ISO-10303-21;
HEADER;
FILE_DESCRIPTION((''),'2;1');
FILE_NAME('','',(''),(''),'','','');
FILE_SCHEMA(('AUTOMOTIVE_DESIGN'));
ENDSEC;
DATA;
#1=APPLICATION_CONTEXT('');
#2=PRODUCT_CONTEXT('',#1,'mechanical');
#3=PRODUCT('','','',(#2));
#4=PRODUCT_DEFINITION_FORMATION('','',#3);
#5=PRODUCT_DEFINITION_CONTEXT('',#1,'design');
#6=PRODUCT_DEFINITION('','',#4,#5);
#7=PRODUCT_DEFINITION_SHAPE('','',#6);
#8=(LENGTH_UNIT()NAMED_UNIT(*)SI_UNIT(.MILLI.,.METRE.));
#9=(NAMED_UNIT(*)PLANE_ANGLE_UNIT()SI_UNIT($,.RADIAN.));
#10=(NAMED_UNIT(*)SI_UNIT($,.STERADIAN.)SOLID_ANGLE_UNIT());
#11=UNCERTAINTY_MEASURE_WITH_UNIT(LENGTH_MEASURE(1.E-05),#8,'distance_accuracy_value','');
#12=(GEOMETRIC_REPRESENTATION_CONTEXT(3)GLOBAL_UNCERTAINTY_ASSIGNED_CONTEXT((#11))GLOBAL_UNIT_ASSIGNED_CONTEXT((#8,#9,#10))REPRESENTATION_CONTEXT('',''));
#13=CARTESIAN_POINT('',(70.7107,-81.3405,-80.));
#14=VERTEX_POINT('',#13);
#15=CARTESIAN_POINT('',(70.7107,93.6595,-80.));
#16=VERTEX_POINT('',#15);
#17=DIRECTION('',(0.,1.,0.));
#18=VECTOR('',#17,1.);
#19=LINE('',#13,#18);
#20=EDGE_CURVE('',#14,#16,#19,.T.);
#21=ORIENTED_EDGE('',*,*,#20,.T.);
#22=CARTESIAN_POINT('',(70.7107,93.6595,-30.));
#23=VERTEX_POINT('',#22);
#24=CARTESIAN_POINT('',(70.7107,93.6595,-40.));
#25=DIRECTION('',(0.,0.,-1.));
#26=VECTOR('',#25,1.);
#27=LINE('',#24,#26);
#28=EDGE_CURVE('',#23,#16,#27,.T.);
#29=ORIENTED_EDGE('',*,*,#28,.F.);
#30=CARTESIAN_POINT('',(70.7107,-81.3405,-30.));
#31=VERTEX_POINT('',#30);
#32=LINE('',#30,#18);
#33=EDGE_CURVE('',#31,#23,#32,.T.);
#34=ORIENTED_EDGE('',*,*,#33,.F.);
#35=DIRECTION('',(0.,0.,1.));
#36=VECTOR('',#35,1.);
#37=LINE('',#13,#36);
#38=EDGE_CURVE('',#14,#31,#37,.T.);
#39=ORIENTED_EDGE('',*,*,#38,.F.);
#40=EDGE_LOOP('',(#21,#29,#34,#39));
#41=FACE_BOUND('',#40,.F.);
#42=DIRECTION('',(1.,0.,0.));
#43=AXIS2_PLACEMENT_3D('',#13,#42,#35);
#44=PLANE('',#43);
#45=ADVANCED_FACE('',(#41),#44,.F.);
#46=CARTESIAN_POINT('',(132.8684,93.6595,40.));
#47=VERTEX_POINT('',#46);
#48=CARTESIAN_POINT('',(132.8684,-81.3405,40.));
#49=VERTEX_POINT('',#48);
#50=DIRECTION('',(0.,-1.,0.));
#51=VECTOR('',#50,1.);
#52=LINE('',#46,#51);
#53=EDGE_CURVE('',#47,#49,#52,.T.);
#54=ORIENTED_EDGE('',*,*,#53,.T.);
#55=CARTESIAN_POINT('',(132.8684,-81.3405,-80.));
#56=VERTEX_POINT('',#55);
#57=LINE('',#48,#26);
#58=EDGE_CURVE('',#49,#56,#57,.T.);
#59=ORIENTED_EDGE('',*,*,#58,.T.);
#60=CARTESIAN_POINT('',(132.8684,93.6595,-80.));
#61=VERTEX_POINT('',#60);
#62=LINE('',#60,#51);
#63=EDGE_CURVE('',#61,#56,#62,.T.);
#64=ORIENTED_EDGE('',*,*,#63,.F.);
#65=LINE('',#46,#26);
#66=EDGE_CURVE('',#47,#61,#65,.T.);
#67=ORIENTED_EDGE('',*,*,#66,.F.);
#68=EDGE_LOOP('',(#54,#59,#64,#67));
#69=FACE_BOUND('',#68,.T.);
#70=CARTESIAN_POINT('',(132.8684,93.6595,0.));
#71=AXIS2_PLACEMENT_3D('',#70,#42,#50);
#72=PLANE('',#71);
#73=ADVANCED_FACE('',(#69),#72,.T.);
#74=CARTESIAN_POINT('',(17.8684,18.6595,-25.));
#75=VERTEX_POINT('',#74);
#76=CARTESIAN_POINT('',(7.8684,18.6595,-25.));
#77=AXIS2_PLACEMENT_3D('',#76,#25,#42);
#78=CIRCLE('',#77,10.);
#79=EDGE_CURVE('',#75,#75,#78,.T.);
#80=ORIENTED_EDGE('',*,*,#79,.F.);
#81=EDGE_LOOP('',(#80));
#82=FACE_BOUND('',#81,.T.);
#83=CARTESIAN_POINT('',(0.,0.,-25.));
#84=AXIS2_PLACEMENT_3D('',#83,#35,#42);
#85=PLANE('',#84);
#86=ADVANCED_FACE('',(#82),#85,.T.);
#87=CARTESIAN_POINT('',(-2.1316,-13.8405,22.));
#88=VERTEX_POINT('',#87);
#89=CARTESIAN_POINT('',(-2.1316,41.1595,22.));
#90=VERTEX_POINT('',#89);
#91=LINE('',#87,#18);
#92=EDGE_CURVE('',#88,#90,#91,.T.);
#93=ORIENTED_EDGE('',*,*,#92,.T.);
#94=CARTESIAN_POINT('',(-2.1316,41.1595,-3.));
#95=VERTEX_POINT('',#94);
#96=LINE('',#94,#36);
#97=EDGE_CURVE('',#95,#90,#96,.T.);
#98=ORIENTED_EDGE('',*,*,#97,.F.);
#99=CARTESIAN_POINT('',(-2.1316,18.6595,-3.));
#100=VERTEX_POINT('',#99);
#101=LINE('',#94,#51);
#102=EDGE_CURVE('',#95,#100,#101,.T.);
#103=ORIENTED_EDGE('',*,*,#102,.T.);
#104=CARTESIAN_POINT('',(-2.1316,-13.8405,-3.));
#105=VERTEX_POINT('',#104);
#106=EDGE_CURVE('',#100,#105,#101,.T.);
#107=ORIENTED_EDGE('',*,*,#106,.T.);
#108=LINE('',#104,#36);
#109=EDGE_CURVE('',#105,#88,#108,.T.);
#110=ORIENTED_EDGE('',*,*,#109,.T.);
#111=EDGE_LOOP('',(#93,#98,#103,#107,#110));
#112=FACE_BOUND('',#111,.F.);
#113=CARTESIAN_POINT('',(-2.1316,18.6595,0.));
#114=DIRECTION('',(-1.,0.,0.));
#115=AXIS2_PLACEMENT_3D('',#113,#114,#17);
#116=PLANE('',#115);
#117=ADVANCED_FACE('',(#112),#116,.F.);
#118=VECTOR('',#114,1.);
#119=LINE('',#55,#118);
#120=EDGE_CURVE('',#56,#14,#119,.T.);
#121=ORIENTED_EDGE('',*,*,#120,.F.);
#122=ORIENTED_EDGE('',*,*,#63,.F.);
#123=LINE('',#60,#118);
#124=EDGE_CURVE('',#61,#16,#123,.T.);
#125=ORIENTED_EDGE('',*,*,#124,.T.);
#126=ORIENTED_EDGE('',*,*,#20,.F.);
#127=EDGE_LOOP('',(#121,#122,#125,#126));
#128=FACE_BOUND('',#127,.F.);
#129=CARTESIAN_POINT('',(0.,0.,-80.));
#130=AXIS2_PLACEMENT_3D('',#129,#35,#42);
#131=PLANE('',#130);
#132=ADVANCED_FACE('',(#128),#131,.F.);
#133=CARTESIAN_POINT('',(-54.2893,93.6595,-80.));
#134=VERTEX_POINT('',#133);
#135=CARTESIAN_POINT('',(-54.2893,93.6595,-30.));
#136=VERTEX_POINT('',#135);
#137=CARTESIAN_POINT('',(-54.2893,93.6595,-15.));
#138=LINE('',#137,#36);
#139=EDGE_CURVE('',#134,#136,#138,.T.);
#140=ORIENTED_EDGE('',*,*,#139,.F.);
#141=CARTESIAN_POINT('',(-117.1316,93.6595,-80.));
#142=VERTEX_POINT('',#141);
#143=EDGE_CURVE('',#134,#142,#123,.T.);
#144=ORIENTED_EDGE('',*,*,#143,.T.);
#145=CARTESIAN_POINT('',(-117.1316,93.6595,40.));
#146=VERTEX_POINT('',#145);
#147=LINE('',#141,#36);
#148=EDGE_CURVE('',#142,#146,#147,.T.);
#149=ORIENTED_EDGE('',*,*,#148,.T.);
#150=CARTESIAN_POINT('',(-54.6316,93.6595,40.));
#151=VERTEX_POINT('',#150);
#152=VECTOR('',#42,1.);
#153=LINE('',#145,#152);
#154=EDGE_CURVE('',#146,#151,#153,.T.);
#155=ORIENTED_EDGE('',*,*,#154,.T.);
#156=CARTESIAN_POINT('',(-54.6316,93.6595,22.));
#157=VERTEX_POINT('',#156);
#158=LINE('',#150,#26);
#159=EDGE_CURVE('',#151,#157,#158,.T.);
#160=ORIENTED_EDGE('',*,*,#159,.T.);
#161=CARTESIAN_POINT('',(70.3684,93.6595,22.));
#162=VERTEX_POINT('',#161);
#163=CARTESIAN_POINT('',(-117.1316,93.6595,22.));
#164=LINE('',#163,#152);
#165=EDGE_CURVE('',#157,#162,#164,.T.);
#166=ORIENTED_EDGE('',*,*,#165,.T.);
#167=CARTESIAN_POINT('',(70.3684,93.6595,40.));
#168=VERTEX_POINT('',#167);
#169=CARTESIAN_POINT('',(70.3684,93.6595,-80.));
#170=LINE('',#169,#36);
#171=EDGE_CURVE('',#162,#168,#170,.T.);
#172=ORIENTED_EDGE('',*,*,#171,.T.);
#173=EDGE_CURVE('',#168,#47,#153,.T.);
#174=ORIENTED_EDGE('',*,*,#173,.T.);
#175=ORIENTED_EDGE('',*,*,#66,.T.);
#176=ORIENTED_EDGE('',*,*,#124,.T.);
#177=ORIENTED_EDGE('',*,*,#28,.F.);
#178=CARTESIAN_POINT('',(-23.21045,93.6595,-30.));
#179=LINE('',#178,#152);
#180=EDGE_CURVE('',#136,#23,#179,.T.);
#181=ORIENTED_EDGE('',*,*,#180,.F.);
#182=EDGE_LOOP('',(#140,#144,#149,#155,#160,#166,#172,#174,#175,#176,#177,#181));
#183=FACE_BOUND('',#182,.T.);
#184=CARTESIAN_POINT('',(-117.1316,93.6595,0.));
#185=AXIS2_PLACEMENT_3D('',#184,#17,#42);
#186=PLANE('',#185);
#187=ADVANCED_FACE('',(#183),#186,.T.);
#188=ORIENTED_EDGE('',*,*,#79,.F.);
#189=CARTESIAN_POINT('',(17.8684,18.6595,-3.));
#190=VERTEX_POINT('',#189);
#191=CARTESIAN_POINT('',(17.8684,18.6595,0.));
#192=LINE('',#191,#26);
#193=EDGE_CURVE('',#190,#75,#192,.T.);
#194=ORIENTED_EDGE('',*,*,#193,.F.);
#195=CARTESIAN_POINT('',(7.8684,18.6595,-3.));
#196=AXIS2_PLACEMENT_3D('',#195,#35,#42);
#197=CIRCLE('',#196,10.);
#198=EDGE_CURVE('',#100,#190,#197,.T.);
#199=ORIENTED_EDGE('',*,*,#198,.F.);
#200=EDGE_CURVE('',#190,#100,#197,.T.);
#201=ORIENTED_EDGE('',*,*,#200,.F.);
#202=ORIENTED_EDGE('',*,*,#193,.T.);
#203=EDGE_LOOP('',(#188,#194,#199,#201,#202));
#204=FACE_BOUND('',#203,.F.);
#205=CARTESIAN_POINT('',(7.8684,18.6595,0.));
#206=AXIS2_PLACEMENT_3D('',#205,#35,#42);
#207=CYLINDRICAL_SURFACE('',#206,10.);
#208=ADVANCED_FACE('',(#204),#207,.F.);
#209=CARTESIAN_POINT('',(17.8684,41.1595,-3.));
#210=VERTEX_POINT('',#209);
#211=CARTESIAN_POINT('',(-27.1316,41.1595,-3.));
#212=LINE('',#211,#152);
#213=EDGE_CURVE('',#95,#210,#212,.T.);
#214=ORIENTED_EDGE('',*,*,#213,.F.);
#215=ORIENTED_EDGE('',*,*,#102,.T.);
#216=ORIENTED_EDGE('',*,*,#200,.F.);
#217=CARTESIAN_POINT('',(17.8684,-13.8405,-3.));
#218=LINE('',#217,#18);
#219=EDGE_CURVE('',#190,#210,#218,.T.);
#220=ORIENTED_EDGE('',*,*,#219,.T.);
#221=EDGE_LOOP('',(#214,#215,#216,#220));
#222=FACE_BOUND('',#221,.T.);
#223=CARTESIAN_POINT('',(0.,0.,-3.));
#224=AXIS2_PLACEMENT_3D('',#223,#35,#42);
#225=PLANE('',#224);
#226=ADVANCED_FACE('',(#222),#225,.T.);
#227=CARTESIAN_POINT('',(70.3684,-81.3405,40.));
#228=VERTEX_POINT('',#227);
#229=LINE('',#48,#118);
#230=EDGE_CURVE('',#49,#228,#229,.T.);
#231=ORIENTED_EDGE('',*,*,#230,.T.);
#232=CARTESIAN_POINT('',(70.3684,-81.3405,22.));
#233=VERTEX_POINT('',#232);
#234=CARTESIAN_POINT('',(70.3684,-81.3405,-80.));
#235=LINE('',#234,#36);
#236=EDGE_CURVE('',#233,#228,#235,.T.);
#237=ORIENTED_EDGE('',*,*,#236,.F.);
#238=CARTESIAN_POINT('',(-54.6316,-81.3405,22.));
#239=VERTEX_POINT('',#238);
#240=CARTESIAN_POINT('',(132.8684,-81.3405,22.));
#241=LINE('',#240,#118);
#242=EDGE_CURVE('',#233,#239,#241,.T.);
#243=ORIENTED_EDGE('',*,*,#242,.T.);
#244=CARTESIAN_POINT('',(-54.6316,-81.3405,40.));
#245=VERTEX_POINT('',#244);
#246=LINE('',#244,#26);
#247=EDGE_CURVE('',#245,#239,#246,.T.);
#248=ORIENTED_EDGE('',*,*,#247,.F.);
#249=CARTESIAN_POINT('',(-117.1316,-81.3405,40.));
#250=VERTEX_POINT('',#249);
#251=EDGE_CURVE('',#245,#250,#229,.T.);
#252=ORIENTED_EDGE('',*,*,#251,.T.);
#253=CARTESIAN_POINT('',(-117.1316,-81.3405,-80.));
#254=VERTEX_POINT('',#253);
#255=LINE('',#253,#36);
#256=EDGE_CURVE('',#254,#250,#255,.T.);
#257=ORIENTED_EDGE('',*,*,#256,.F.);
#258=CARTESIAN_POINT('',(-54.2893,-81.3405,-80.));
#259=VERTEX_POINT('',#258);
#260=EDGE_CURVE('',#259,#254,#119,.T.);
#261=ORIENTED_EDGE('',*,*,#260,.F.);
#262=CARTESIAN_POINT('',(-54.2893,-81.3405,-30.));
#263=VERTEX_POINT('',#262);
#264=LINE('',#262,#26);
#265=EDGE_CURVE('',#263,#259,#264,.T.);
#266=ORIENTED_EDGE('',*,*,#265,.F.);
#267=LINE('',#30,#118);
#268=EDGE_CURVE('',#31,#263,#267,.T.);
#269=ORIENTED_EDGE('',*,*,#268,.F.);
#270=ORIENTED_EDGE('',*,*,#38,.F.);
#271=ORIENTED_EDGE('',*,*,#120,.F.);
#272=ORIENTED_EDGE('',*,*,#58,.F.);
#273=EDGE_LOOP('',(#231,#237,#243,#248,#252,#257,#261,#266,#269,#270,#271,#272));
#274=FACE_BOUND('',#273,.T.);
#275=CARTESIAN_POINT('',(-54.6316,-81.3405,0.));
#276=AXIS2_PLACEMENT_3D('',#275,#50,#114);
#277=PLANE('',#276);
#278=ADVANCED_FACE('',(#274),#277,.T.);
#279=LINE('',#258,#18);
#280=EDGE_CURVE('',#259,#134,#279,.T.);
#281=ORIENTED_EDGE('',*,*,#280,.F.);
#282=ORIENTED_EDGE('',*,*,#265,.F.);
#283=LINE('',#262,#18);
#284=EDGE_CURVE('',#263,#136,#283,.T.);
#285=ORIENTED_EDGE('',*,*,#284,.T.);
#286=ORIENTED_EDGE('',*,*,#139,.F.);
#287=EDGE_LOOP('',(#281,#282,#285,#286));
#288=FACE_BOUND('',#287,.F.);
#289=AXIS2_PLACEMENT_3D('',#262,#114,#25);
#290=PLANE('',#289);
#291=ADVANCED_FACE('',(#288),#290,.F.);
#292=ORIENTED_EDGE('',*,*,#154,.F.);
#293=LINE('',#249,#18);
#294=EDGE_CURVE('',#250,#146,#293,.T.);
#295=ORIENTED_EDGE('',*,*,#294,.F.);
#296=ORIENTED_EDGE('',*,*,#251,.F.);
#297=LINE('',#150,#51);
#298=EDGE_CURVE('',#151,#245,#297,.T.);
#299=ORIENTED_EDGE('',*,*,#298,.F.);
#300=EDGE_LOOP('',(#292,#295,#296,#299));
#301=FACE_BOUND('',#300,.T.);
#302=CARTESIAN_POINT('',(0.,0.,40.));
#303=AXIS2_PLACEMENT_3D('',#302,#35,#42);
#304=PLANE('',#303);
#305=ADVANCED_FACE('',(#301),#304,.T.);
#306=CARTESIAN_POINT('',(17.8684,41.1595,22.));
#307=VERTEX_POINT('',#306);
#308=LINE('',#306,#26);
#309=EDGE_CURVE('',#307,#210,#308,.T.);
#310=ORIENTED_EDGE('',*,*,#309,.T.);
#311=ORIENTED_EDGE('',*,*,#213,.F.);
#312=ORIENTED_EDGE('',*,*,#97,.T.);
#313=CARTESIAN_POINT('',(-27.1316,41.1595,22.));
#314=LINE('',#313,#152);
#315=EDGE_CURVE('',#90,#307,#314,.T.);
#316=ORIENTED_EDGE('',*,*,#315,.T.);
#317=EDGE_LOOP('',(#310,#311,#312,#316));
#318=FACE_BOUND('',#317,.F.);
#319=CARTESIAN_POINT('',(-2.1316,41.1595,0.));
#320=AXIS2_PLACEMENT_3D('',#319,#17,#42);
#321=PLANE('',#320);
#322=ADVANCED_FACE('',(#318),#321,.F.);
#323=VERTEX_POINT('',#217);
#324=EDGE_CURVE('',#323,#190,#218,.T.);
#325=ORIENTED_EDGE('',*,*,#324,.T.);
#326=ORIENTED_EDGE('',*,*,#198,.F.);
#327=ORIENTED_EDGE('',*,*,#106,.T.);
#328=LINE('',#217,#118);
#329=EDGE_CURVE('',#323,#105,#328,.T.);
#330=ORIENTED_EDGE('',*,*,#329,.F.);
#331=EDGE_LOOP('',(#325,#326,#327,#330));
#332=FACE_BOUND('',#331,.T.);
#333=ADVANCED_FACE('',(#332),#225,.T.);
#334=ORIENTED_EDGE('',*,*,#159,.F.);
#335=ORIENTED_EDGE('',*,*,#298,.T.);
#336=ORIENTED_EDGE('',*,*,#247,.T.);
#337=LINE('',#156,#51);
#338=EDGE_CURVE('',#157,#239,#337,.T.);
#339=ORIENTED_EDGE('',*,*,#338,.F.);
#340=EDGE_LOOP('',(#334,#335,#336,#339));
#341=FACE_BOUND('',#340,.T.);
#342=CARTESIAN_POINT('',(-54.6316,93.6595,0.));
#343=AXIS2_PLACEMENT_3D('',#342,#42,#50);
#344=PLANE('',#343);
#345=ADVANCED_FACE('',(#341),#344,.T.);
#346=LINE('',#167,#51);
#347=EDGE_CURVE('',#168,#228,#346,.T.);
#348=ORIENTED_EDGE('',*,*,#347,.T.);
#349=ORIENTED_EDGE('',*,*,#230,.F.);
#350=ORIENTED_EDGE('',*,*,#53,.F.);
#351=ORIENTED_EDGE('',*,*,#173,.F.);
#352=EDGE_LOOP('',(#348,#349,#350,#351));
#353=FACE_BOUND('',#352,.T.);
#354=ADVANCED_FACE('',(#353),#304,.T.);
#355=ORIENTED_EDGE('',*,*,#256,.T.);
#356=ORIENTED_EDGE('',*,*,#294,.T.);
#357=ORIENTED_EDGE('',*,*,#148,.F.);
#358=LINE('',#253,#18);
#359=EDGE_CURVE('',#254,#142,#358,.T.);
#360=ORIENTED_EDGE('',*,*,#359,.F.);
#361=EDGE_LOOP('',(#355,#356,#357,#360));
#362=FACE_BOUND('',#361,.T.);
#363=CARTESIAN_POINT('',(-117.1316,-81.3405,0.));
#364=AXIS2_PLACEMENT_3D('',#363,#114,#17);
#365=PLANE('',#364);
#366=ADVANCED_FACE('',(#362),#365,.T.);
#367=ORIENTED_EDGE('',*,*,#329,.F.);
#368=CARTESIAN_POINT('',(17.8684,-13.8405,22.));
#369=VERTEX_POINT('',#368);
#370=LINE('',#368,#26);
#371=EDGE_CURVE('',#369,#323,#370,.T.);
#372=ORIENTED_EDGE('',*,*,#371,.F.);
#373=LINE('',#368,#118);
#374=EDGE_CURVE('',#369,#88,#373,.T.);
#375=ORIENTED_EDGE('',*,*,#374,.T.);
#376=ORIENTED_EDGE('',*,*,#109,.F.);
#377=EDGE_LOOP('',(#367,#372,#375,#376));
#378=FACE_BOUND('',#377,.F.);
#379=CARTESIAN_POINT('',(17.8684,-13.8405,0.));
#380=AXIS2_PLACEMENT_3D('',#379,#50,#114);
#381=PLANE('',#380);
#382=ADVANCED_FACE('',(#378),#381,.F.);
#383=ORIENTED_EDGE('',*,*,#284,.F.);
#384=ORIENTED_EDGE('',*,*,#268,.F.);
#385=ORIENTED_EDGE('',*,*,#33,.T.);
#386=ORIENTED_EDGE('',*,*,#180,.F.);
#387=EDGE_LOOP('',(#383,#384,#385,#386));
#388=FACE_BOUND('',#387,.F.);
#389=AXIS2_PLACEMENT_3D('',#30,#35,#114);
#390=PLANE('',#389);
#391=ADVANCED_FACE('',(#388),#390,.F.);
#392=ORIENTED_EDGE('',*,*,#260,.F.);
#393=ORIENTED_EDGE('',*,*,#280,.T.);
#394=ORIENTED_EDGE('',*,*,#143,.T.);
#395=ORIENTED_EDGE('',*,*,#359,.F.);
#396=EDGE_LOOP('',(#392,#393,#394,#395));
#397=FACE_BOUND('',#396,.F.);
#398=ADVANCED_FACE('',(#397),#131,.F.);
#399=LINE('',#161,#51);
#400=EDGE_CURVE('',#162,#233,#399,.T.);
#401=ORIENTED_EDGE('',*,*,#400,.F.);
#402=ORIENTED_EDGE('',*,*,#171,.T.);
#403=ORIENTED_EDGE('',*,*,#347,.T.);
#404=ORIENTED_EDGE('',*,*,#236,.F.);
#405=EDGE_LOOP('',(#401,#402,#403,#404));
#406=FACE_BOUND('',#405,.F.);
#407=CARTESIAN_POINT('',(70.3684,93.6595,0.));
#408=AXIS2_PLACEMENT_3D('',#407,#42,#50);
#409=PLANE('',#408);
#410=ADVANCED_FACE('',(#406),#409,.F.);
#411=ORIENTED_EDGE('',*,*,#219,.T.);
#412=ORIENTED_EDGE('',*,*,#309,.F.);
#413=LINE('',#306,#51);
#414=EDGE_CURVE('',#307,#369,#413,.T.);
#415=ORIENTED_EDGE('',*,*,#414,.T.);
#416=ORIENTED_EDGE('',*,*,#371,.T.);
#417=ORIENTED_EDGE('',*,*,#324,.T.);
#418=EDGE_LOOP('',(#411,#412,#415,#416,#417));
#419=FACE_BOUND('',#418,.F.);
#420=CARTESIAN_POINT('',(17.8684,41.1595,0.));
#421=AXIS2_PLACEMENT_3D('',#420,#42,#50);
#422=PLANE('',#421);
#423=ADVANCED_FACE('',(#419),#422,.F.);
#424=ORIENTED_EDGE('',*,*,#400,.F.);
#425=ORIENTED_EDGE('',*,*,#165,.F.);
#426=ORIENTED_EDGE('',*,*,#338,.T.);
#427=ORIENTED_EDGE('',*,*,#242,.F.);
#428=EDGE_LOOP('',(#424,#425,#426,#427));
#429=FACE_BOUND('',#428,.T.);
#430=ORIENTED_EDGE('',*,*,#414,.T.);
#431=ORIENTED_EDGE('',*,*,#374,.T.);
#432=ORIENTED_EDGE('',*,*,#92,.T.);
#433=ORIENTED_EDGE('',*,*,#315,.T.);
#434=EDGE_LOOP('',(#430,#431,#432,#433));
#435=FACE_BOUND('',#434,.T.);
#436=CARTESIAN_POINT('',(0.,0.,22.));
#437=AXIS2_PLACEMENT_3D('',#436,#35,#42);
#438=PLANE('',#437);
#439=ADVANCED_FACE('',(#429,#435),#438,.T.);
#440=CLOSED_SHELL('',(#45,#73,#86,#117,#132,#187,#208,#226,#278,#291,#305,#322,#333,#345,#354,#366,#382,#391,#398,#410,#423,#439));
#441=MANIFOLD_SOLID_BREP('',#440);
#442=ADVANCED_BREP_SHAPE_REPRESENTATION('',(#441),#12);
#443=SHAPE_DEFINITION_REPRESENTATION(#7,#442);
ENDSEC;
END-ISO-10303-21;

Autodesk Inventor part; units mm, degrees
ref_plane "YZ Plane" through (0, 0, 0) normal (1, 0, 0) x (0, 1, 0)
ref_plane "XZ Plane" through (0, 0, 0) normal (0, 1, 0) x (-1, 0, 0)
ref_plane "XY Plane" through (0, 0, 0) normal (0, 0, 1) x (1, 0, 0)
sketch "Sketch1" plane through (0, 0, 0) normal (0, 0, 1) x (1, 0, 0)
  line L0 (-117.1316, 93.6595) -> (132.8684, 93.6595)
  line L1 (132.8684, 93.6595) -> (132.8684, -81.3405)
  line L2 (132.8684, -81.3405) -> (-117.1316, -81.3405)
  line L3 (-117.1316, -81.3405) -> (-117.1316, 93.6595)
  line L4 (-54.6316, 93.6595) -> (-54.6316, -81.3405)
  line L5 (70.3684, 93.6595) -> (70.3684, -81.3405)
  line L6 (-27.1316, 41.1595) -> (42.8684, 41.1595)
  line L7 (42.8684, 41.1595) -> (42.8684, -28.8405)
  line L8 (42.8684, -28.8405) -> (-27.1316, -28.8405)
  line L9 (-27.1316, -28.8405) -> (-27.1316, 41.1595)
  circle A0 centre (7.8684, 18.6595) radius 10
  line L10 (-2.1316, 41.1595) -> (17.8684, 41.1595)
  line L11 (17.8684, 41.1595) -> (17.8684, -13.8405)
  line L12 (17.8684, -13.8405) -> (-2.1316, -13.8405)
  line L13 (-2.1316, -13.8405) -> (-2.1316, 41.1595)
  point P0 (17.8684, 41.1595)
  point P1 (17.8684, 18.6595)
  point P2 (-2.1316, 18.6595)
  dimension "d0" = 250
  dimension "d1" = 175
  dimension "d2" = 62.5
  dimension "d3" = 62.5
  dimension "d8" = 70
  dimension "d9" = 70
  dimension "d10" = 52.5
  dimension "d11" = 27.5
  dimension "d12" = 20
  dimension "d19" = 20
  dimension "d20" = 55
  dimension "d21" = 25
extrude "Extrusion1" add sketch "Sketch1" along normal blind 40 and the other way blind 80 contours L0 L4 L2 L3 | L0 L1 L2 L5
extrude "Extrusion2" add sketch "Sketch1" along normal blind 22 and the other way blind 80 contours L0 L5 L2 L4 | L6 L13 L12 L11 L7 L8 L9 | L6 L11 A0 L13 | A0 | A0 L11 L12 L13
extrude "Extrusion3" cut sketch "Sketch1" along normal blind 22 and the other way blind 3 contours L6 L11 A0 L13 | A0 | A0 L11 L12 L13
extrude "Extrusion4" cut sketch "Sketch1" against normal blind 25 contours A0
sketch "Sketch3" plane through (-117.1316, -81.3405, -80) normal (0, -1, 0) x (1, 0, 0)
  line L0 (0, 0) -> (250, 0) projected
  line L1 (62.8423, 0) -> (187.8423, 0)
  line L2 (187.8423, 0) -> (187.8423, 50)
  line L3 (187.8423, 50) -> (62.8423, 50)
  line L4 (62.8423, 50) -> (62.8423, 0)
  point P0 (117.1316, 80)
  dimension "d22" = 125
  dimension "d23" = 50
extrude "Extrusion5" cut sketch "Sketch3" against normal through all
equation "\"d0\" = 5 * Product_dia"
equation "\"d1\" = 3.5 * Product_dia"
equation "\"d2\" = 0.25 * d0"
equation "\"d3\" = d2"
equation "\"d10\" = -0.5 * d9 + 0.5 * d1"
equation "\"d11\" = -0.5 * d8 + 0.5 * d0 - d2"
equation "\"d21\" = -0.5 * d19 + 0.5 * d8"
equation "\"ProductBaseHeight\" = 35"
equation "\"GridClearance\" = 3"
equation "\"GridBorderThickness\" = 5"
equation "\"GridTotalSize\" = 63"
equation "\"GridBorderFillets\" = 7"
equation "\"BaseTotalWidth\" = 352"
equation "\"GridProcutClearance\" = 3"
equation "\"Product_dia\" = 50"
